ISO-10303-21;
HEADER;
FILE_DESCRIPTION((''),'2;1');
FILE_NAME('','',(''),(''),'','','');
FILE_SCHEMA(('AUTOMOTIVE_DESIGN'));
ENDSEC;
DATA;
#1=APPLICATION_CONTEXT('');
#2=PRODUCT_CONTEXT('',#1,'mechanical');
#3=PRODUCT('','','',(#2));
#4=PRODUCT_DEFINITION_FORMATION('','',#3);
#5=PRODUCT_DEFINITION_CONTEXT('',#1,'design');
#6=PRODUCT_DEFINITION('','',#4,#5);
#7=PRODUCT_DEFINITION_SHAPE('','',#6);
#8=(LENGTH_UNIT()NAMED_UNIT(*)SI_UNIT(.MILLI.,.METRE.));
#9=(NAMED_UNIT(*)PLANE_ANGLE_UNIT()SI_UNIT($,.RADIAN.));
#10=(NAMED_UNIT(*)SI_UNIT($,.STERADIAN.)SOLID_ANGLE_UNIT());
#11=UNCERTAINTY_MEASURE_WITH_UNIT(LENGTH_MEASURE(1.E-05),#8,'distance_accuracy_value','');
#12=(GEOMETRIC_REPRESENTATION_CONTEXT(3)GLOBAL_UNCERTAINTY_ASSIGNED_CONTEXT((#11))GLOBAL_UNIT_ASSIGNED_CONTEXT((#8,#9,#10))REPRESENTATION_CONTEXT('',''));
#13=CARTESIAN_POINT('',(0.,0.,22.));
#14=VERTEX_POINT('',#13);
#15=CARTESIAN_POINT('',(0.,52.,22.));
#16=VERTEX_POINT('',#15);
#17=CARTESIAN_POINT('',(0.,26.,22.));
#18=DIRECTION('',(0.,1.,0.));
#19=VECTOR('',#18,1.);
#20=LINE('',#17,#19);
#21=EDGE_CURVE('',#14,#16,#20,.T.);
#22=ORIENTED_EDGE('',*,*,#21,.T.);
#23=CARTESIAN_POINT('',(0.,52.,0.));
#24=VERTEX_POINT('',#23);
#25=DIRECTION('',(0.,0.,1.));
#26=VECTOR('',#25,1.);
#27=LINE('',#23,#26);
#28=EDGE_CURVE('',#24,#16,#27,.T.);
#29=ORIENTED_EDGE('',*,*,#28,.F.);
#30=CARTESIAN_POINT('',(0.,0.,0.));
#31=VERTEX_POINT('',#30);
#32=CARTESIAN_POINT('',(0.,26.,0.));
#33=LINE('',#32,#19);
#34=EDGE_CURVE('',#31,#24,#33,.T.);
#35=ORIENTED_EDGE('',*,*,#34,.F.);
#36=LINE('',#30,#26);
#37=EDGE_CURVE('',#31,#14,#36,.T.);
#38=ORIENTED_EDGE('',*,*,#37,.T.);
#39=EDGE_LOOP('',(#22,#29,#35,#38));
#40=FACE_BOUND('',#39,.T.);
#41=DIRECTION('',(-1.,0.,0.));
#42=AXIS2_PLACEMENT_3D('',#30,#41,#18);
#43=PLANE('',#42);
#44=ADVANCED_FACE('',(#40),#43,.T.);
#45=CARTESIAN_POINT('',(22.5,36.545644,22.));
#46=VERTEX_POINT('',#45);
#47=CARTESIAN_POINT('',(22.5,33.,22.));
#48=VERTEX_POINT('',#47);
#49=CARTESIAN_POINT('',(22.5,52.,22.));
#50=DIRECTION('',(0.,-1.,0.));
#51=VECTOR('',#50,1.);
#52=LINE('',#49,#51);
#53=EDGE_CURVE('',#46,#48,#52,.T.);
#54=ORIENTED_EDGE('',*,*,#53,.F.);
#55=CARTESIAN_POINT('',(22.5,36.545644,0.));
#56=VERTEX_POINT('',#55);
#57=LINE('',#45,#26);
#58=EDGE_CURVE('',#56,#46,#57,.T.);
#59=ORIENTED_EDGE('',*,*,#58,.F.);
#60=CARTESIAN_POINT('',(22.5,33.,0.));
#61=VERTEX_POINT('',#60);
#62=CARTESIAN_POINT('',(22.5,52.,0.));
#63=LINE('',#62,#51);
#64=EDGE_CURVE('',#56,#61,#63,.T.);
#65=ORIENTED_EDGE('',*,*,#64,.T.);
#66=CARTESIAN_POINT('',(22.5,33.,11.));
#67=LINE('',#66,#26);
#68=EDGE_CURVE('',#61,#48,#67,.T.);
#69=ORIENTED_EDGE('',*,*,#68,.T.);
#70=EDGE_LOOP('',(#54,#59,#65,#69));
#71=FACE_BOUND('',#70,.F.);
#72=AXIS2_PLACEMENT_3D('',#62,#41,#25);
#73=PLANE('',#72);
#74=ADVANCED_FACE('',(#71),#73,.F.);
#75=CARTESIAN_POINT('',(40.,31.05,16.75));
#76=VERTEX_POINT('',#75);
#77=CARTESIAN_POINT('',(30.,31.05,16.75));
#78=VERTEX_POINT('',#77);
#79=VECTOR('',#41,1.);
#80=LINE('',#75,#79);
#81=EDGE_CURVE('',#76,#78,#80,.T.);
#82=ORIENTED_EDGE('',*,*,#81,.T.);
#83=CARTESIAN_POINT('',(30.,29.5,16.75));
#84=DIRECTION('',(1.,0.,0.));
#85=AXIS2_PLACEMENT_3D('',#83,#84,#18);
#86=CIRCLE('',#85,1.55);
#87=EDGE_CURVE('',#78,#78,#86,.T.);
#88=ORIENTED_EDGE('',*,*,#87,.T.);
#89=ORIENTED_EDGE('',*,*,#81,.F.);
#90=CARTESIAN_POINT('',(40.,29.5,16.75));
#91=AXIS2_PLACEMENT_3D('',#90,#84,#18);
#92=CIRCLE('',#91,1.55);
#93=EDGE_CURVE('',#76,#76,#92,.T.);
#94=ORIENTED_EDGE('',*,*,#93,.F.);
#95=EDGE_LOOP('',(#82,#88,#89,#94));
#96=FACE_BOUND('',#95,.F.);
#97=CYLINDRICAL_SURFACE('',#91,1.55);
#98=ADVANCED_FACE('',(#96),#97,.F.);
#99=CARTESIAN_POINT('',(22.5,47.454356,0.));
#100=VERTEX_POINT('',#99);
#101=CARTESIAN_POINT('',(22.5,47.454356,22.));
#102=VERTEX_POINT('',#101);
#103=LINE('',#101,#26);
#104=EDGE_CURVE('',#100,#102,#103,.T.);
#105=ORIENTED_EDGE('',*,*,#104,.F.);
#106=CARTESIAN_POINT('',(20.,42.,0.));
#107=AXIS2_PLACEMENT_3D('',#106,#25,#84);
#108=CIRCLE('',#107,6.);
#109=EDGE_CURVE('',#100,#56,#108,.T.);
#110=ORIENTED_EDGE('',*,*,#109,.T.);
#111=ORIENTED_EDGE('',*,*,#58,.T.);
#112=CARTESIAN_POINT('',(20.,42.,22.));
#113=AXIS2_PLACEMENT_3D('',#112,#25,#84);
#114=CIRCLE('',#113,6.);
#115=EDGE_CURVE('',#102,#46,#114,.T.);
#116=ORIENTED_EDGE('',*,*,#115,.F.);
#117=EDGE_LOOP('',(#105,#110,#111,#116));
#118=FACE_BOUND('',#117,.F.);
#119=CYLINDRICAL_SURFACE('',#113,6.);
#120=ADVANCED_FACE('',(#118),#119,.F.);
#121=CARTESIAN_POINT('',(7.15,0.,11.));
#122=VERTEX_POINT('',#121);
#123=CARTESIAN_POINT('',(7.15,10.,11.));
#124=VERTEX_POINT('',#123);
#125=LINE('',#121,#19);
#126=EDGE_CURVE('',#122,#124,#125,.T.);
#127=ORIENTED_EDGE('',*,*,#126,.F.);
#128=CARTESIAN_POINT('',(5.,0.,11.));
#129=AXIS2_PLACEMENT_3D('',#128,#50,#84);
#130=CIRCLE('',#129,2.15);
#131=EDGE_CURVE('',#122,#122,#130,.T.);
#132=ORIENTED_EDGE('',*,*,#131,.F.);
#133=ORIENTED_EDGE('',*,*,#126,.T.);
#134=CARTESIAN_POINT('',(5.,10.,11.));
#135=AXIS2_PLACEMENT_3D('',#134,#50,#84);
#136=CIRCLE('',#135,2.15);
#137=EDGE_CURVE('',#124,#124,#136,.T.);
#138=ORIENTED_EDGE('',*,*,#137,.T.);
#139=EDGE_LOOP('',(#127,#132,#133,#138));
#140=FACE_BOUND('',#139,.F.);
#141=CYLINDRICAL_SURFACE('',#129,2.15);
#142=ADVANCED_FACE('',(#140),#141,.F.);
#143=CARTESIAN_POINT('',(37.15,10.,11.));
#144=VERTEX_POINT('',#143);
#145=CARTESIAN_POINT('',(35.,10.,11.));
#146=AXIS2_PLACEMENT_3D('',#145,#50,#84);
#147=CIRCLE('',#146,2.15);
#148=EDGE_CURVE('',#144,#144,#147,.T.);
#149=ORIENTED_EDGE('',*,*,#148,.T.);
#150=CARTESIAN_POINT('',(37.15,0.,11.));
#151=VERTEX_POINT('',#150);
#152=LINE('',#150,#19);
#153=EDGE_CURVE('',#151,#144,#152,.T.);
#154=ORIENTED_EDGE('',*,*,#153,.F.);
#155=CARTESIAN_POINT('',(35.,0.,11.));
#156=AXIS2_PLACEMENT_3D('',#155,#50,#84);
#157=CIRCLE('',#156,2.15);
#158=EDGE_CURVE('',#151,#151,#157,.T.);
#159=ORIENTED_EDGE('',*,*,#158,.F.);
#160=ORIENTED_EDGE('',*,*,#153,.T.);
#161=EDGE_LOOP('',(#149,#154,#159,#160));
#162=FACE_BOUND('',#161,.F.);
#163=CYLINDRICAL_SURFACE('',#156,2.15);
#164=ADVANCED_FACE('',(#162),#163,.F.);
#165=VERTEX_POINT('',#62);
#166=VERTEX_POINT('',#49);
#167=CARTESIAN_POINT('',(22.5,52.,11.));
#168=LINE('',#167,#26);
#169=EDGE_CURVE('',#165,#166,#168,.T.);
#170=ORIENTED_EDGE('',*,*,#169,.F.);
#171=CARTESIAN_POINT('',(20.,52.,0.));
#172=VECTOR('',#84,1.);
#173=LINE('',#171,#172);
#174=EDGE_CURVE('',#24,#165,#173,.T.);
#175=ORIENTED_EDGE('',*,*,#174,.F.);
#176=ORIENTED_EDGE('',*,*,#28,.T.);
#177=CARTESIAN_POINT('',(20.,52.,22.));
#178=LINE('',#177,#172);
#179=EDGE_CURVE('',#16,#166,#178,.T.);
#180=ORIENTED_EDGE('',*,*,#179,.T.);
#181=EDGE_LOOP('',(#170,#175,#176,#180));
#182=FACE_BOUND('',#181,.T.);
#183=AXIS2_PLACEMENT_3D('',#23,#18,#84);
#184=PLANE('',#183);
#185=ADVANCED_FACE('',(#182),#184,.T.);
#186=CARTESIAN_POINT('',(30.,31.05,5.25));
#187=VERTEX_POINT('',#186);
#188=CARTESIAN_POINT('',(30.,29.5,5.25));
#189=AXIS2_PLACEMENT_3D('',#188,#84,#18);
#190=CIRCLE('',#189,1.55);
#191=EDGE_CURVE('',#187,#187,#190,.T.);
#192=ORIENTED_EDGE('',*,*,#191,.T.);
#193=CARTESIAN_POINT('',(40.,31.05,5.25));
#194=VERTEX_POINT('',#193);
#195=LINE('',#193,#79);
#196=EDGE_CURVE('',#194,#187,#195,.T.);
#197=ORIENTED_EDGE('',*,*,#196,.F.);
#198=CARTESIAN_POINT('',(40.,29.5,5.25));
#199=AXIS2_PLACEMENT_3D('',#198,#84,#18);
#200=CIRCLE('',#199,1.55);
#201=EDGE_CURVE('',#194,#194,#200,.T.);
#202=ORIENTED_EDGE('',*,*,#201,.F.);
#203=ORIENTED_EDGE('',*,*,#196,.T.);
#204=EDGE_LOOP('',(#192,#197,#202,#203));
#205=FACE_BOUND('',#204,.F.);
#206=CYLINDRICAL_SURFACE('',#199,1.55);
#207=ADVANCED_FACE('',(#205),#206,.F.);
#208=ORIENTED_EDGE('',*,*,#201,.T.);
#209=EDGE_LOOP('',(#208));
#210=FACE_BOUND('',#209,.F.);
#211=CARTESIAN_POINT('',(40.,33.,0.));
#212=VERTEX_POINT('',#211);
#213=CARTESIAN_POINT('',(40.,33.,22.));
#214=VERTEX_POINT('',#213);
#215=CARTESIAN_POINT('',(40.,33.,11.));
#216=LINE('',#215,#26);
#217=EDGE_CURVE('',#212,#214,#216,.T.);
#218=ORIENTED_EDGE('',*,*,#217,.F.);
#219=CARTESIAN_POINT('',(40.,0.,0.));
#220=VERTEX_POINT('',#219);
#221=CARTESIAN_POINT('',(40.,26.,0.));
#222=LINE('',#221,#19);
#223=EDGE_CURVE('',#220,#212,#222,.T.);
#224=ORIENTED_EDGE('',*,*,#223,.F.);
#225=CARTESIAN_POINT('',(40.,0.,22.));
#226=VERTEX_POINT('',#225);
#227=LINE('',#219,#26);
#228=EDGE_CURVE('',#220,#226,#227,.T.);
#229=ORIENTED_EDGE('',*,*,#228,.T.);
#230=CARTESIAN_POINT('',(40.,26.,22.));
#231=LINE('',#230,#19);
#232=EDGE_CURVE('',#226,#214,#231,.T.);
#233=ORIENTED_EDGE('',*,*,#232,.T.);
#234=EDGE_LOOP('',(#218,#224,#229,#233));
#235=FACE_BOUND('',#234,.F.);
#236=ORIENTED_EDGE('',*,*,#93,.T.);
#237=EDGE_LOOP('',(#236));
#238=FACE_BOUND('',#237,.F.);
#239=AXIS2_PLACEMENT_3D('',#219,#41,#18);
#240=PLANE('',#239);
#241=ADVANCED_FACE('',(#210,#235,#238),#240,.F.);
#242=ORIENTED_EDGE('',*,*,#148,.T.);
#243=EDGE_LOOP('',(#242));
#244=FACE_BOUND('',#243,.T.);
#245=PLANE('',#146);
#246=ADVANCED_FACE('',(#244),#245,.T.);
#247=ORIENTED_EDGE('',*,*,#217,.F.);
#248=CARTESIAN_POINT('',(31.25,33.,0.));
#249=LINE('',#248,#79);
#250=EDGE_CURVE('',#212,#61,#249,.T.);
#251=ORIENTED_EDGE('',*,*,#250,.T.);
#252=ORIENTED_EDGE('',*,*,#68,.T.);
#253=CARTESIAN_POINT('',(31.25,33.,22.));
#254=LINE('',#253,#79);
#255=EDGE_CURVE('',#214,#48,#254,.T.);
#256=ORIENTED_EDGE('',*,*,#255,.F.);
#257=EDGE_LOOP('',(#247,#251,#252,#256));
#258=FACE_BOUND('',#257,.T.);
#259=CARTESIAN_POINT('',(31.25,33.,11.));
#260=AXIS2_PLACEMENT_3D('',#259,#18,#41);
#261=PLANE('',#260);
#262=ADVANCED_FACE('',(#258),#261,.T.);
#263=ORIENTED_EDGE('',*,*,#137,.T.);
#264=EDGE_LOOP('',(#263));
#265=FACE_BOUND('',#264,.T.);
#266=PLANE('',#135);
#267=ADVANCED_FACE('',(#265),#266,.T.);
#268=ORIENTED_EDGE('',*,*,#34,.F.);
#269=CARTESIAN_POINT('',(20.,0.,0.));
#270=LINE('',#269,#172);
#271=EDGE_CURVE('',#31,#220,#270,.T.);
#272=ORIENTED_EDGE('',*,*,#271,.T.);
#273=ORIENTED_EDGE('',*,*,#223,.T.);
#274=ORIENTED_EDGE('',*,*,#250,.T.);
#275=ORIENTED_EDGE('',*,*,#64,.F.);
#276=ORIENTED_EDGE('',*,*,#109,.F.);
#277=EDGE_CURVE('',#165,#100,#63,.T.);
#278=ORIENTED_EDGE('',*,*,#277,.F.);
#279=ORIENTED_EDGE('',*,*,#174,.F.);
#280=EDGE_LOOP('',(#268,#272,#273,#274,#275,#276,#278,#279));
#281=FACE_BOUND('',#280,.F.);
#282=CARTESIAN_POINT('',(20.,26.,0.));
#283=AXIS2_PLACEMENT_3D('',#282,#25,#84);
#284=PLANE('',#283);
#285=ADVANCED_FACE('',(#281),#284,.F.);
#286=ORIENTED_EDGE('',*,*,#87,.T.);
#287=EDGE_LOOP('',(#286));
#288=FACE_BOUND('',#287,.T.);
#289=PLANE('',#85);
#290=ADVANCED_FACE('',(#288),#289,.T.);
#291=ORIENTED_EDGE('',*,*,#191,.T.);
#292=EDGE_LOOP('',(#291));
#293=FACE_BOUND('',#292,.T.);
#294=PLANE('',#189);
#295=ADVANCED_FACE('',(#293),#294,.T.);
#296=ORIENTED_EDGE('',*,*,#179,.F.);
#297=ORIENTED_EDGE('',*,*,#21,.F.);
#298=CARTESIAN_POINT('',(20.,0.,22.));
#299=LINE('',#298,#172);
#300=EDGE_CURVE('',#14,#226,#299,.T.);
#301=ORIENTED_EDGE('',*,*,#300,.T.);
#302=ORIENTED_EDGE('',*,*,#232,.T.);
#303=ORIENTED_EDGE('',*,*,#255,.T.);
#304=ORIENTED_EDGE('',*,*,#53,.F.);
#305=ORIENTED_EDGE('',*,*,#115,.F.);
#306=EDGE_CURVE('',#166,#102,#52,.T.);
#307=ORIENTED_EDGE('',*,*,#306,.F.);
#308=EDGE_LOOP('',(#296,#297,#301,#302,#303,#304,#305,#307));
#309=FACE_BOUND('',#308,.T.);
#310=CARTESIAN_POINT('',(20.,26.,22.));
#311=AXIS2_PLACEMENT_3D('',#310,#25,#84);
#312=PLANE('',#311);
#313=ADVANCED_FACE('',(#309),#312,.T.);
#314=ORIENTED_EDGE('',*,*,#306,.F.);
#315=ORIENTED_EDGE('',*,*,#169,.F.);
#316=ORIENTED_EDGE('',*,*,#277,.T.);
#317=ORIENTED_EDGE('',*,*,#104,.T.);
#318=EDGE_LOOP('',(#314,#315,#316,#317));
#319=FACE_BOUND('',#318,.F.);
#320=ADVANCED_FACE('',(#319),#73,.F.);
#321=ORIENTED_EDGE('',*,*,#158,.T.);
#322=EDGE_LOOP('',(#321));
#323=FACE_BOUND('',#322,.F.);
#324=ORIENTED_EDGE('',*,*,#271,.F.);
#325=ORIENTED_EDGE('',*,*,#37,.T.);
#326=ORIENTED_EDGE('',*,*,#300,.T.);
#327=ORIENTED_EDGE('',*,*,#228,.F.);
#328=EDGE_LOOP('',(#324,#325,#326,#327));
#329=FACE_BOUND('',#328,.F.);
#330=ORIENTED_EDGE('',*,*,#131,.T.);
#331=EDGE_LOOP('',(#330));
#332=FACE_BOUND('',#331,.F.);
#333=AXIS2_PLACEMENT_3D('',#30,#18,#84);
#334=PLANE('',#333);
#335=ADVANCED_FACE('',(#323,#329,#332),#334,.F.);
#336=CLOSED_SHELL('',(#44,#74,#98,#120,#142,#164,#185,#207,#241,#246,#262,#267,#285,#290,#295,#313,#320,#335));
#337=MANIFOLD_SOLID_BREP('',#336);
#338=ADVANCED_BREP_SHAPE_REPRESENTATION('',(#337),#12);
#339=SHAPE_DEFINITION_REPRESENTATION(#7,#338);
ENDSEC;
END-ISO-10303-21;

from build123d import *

# Parameters (mm, degrees)
F0_W      = 40
F0_H      = 52
F1_DEPTH  = 22
F3_R      = 6
F4_DEPTH  = 25
F5_R      = 2.15
F6_DEPTH  = 10
F7_W      = 17.5
F7_H      = 22
F8_DEPTH  = 19
F9_R      = 1.55
F10_DEPTH = 10


with BuildPart() as f1:
    # F0 (on Top) → F1 (new body)
    with BuildSketch(Plane.XY):
        with Locations((20, 26)):
            Rectangle(F0_W, F0_H)
    extrude(amount=F1_DEPTH)

    # F3 (on face) → F4 (cut)
    with BuildSketch(Plane.XY.offset(22)):
        with Locations((20, 42)):
            Circle(F3_R)
    extrude(amount=-F4_DEPTH, mode=Mode.SUBTRACT)

    # F5 (on face) → F6 (cut)
    with BuildSketch(Plane.XZ):
        with Locations((5, 11)):
            Circle(F5_R)
        with Locations((35, 11)):
            Circle(F5_R)
    extrude(amount=-F6_DEPTH, mode=Mode.SUBTRACT)

    # F7 (on face) → F8 (cut)
    with BuildSketch(Plane(origin=(0, 52, 0), x_dir=(-1, 0, 0), z_dir=(0, 1, 0))):
        with Locations((-31.25, 11)):
            Rectangle(F7_W, F7_H)
    extrude(amount=-F8_DEPTH, mode=Mode.SUBTRACT)

    # F9 (on face) → F10 (cut)
    with BuildSketch(Plane.YZ.offset(40)):
        with Locations((29.5, 16.75)):
            Circle(F9_R)
        with Locations((29.5, 5.25)):
            Circle(F9_R)
    extrude(amount=-F10_DEPTH, mode=Mode.SUBTRACT)


solid = f1.part
